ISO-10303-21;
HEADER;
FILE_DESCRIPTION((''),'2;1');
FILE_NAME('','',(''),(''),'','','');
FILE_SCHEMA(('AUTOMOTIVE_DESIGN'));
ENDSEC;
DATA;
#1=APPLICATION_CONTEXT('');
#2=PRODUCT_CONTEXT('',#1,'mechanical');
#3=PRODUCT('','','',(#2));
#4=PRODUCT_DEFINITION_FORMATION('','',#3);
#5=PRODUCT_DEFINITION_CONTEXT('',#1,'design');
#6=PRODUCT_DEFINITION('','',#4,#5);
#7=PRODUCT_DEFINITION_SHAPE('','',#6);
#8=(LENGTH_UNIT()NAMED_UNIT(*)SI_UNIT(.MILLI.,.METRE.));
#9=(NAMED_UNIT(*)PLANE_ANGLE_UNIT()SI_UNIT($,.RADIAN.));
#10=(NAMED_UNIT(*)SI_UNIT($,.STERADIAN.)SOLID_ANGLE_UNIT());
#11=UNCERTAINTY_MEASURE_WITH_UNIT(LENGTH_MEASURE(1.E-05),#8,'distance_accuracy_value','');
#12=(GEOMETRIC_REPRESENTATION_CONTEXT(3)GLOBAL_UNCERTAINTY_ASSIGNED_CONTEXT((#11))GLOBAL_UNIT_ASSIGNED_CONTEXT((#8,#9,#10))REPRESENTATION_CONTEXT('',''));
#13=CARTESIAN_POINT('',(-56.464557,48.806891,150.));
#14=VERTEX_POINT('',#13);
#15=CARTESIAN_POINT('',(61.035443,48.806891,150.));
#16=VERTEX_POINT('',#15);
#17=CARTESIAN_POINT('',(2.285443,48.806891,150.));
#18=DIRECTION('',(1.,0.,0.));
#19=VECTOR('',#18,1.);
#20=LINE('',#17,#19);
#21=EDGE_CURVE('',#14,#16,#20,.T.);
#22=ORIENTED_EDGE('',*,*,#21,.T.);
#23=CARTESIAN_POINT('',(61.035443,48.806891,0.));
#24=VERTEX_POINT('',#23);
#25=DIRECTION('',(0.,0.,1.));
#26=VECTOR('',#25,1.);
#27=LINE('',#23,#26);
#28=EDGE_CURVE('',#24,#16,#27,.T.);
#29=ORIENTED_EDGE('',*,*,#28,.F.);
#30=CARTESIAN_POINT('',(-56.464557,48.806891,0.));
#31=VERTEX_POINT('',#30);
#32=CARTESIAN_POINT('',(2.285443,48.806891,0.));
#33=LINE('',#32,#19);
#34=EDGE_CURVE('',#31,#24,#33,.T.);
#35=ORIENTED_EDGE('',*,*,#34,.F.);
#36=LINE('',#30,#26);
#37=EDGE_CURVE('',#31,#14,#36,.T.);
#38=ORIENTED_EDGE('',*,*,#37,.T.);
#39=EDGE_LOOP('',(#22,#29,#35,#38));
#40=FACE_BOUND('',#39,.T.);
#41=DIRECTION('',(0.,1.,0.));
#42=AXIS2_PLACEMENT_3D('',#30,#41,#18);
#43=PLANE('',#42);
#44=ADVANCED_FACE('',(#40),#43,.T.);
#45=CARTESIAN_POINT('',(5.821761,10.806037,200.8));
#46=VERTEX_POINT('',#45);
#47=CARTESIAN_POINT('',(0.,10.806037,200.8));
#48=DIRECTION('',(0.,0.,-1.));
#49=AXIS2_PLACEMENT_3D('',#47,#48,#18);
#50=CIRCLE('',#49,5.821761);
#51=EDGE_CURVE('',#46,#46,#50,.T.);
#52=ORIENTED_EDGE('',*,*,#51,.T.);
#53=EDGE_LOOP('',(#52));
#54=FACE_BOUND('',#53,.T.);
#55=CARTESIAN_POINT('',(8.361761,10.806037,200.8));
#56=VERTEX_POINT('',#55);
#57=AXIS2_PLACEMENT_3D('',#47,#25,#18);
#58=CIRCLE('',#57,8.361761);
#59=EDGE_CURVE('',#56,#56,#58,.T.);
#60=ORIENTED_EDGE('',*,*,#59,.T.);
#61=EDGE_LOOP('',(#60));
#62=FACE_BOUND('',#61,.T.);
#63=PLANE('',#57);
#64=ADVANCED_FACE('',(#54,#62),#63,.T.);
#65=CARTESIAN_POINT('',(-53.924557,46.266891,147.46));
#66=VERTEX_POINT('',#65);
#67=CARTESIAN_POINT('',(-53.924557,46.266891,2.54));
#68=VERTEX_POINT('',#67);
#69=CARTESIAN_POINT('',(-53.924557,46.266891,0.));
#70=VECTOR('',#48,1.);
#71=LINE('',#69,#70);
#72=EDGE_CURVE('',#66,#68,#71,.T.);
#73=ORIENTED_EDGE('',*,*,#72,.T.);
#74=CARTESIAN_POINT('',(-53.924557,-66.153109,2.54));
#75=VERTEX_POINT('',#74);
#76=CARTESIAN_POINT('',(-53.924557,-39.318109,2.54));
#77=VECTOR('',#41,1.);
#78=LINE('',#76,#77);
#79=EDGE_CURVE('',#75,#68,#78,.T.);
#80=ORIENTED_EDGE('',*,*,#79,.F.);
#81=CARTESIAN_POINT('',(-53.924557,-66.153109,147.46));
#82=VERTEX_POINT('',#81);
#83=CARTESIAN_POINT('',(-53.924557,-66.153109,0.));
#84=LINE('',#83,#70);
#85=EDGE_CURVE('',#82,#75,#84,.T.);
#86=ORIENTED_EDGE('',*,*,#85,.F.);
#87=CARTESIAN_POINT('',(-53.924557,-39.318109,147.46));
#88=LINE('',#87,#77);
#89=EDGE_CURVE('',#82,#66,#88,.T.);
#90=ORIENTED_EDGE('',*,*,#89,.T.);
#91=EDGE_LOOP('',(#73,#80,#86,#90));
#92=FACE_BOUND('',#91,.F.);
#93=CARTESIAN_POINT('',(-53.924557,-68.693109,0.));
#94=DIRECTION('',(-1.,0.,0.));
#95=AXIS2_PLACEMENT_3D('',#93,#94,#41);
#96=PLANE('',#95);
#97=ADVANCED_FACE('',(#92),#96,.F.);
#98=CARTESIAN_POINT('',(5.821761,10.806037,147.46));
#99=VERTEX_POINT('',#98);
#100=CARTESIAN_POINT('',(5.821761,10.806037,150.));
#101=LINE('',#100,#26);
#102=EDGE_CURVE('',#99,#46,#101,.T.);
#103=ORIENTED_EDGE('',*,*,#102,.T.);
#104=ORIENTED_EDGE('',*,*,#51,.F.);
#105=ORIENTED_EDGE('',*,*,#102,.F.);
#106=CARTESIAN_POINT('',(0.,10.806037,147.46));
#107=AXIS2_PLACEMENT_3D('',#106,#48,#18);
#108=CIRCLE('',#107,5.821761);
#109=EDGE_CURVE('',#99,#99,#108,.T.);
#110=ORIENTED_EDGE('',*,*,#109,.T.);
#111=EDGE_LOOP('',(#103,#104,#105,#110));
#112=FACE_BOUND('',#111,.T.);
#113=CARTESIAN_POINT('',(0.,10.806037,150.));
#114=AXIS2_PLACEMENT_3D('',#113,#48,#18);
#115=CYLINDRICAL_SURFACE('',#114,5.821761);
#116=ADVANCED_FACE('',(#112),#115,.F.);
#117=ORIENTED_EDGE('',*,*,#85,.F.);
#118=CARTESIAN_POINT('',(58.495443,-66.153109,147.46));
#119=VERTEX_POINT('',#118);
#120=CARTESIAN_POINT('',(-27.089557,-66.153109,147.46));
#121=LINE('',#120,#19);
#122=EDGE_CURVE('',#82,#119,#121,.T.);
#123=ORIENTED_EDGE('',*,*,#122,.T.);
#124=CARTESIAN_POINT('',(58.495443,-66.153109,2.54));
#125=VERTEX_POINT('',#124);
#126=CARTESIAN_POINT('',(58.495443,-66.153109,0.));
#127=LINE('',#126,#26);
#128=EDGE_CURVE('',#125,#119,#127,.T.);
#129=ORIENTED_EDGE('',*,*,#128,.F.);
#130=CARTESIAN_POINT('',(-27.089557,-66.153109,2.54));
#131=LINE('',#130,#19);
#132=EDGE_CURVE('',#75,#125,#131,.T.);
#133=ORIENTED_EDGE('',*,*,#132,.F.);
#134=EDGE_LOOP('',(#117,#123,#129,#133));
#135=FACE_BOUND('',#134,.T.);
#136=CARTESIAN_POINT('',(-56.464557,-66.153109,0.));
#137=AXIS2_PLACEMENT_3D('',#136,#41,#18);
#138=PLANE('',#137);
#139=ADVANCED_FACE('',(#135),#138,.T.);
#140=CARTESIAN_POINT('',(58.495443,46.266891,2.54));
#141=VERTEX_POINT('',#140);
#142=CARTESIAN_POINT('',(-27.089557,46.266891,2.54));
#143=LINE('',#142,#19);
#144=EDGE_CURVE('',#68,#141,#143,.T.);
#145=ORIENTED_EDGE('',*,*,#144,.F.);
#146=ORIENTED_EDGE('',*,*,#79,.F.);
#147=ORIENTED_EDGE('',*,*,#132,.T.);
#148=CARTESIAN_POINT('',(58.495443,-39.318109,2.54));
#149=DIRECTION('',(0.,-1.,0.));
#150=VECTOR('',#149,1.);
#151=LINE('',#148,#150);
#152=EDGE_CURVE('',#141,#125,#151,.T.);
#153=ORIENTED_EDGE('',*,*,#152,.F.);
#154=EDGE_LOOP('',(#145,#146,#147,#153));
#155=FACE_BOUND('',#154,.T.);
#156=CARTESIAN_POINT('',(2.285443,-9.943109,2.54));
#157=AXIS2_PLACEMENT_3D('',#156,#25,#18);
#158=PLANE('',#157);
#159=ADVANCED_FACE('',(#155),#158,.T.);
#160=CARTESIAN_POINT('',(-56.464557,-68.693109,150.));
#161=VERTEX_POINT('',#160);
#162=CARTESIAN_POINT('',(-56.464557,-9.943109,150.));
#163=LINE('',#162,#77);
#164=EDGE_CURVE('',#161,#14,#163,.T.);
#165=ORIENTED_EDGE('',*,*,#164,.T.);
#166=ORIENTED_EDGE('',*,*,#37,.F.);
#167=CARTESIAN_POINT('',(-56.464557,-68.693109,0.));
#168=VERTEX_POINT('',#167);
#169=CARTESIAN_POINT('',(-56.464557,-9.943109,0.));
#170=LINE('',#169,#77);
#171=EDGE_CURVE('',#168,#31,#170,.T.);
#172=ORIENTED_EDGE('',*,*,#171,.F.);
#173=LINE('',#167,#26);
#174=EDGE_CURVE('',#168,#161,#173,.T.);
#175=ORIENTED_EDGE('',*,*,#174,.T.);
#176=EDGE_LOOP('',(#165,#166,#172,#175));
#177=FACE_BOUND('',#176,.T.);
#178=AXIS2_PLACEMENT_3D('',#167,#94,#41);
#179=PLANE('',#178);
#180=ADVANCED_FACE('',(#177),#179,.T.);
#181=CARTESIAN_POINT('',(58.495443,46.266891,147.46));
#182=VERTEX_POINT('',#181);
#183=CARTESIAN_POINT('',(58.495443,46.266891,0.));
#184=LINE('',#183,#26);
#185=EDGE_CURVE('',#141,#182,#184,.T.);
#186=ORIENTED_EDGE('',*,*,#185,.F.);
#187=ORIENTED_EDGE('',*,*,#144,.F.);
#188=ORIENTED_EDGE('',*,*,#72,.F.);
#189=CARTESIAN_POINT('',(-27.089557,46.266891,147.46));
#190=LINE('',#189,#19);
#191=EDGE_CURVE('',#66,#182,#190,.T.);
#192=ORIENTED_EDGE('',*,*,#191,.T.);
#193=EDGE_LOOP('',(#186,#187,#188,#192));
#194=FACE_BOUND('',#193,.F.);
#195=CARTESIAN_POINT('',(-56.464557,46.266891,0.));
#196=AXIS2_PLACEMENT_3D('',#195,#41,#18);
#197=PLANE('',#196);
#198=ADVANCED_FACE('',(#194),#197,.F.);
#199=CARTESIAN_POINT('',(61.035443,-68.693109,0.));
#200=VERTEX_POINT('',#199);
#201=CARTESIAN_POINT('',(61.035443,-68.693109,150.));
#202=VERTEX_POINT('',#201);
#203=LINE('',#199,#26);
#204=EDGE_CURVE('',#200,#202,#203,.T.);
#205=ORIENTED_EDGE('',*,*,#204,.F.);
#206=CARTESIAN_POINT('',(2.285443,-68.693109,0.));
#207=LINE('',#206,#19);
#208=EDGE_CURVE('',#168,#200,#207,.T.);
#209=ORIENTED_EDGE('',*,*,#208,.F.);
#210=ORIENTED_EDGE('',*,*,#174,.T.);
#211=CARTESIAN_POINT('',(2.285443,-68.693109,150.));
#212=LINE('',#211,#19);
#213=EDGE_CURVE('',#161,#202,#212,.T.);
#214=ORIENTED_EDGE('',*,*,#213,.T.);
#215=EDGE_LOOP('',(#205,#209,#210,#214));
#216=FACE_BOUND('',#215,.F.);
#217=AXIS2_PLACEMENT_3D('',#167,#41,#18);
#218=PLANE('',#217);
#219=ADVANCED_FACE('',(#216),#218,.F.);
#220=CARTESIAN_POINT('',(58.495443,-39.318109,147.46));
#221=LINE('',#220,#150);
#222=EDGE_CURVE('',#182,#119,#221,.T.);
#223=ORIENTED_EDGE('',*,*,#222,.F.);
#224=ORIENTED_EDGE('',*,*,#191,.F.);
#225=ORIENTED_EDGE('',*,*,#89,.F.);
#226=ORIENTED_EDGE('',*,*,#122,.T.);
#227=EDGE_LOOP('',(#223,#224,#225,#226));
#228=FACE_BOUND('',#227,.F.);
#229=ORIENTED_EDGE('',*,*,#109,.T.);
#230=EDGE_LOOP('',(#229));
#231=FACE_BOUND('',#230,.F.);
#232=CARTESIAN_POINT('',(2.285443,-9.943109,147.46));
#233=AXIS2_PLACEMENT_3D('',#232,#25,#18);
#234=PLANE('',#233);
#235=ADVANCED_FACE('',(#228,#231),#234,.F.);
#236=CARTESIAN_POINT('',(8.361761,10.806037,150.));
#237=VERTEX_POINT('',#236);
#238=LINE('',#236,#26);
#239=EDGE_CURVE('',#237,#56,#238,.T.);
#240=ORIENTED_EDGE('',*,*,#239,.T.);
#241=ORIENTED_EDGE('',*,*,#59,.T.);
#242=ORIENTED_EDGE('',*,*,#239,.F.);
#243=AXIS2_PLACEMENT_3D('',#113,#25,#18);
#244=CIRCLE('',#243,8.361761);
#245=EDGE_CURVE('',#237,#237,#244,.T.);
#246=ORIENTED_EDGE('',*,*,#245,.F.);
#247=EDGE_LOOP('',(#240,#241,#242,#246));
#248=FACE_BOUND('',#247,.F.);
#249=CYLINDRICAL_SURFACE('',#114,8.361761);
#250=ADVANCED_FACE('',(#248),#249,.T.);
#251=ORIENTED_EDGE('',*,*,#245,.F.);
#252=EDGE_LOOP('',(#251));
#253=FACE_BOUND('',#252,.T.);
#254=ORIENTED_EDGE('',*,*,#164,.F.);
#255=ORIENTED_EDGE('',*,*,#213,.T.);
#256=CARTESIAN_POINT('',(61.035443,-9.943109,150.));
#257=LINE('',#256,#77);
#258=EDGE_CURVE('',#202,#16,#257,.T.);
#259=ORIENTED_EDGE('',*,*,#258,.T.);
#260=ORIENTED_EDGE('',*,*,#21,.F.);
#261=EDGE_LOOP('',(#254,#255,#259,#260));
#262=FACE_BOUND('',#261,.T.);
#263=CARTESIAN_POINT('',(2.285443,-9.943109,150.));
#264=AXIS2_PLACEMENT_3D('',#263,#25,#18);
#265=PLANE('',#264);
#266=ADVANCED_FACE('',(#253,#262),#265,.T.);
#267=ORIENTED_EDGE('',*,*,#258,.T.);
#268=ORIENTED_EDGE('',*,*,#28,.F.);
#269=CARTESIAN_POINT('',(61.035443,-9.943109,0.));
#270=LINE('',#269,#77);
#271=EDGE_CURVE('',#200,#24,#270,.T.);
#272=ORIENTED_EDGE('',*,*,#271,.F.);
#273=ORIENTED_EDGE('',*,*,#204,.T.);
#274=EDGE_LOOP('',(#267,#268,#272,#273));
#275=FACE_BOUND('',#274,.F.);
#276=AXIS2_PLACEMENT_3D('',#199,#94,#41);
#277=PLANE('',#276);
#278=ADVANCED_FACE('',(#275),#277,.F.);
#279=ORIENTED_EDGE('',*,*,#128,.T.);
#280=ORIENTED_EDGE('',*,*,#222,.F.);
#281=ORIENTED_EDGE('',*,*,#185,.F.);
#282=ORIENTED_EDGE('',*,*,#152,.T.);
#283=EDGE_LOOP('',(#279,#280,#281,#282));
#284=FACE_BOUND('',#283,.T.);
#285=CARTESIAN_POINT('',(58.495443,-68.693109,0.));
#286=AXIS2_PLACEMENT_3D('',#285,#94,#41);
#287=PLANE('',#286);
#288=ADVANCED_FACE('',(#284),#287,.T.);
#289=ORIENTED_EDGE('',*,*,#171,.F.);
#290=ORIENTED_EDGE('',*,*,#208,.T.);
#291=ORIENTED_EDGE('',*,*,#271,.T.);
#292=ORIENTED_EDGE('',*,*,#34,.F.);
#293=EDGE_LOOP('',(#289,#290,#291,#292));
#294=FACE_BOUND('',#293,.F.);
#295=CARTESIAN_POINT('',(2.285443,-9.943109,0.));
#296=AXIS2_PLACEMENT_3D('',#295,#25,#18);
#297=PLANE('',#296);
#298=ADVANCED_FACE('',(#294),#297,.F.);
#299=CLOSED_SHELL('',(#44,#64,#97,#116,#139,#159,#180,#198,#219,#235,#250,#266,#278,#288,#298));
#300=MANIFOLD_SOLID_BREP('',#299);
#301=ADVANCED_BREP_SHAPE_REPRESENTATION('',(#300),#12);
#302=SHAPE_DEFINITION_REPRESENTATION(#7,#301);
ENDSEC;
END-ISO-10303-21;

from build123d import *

# Parameters (mm, degrees)
F0_W     = 117.5
F0_H     = 117.5
F1_DEPTH = 150
F2_R     = 8.3617608376
F3_DEPTH = 50.8
F4_T     = -2.54


with BuildPart() as f1:
    # F0 (on Top) → F1 (new body)
    with BuildSketch(Plane.XY):
        with Locations((2.2854433954, -9.9431091547)):
            Rectangle(F0_W, F0_H)
    extrude(amount=F1_DEPTH)

    # F2 (on face) → F3 (join)
    with BuildSketch(Plane.XY.offset(150)):
        with Locations((0, 10.8060371131)):
            Circle(F2_R)
    extrude(amount=F3_DEPTH)

    # F4
    f4_openings = [f1.faces().sort_by_distance(p)[0] for p in [
        (0, 10.806037, 200.8),
    ]]
    offset(amount=F4_T, openings=f4_openings, kind=Kind.INTERSECTION)


solid = f1.part
